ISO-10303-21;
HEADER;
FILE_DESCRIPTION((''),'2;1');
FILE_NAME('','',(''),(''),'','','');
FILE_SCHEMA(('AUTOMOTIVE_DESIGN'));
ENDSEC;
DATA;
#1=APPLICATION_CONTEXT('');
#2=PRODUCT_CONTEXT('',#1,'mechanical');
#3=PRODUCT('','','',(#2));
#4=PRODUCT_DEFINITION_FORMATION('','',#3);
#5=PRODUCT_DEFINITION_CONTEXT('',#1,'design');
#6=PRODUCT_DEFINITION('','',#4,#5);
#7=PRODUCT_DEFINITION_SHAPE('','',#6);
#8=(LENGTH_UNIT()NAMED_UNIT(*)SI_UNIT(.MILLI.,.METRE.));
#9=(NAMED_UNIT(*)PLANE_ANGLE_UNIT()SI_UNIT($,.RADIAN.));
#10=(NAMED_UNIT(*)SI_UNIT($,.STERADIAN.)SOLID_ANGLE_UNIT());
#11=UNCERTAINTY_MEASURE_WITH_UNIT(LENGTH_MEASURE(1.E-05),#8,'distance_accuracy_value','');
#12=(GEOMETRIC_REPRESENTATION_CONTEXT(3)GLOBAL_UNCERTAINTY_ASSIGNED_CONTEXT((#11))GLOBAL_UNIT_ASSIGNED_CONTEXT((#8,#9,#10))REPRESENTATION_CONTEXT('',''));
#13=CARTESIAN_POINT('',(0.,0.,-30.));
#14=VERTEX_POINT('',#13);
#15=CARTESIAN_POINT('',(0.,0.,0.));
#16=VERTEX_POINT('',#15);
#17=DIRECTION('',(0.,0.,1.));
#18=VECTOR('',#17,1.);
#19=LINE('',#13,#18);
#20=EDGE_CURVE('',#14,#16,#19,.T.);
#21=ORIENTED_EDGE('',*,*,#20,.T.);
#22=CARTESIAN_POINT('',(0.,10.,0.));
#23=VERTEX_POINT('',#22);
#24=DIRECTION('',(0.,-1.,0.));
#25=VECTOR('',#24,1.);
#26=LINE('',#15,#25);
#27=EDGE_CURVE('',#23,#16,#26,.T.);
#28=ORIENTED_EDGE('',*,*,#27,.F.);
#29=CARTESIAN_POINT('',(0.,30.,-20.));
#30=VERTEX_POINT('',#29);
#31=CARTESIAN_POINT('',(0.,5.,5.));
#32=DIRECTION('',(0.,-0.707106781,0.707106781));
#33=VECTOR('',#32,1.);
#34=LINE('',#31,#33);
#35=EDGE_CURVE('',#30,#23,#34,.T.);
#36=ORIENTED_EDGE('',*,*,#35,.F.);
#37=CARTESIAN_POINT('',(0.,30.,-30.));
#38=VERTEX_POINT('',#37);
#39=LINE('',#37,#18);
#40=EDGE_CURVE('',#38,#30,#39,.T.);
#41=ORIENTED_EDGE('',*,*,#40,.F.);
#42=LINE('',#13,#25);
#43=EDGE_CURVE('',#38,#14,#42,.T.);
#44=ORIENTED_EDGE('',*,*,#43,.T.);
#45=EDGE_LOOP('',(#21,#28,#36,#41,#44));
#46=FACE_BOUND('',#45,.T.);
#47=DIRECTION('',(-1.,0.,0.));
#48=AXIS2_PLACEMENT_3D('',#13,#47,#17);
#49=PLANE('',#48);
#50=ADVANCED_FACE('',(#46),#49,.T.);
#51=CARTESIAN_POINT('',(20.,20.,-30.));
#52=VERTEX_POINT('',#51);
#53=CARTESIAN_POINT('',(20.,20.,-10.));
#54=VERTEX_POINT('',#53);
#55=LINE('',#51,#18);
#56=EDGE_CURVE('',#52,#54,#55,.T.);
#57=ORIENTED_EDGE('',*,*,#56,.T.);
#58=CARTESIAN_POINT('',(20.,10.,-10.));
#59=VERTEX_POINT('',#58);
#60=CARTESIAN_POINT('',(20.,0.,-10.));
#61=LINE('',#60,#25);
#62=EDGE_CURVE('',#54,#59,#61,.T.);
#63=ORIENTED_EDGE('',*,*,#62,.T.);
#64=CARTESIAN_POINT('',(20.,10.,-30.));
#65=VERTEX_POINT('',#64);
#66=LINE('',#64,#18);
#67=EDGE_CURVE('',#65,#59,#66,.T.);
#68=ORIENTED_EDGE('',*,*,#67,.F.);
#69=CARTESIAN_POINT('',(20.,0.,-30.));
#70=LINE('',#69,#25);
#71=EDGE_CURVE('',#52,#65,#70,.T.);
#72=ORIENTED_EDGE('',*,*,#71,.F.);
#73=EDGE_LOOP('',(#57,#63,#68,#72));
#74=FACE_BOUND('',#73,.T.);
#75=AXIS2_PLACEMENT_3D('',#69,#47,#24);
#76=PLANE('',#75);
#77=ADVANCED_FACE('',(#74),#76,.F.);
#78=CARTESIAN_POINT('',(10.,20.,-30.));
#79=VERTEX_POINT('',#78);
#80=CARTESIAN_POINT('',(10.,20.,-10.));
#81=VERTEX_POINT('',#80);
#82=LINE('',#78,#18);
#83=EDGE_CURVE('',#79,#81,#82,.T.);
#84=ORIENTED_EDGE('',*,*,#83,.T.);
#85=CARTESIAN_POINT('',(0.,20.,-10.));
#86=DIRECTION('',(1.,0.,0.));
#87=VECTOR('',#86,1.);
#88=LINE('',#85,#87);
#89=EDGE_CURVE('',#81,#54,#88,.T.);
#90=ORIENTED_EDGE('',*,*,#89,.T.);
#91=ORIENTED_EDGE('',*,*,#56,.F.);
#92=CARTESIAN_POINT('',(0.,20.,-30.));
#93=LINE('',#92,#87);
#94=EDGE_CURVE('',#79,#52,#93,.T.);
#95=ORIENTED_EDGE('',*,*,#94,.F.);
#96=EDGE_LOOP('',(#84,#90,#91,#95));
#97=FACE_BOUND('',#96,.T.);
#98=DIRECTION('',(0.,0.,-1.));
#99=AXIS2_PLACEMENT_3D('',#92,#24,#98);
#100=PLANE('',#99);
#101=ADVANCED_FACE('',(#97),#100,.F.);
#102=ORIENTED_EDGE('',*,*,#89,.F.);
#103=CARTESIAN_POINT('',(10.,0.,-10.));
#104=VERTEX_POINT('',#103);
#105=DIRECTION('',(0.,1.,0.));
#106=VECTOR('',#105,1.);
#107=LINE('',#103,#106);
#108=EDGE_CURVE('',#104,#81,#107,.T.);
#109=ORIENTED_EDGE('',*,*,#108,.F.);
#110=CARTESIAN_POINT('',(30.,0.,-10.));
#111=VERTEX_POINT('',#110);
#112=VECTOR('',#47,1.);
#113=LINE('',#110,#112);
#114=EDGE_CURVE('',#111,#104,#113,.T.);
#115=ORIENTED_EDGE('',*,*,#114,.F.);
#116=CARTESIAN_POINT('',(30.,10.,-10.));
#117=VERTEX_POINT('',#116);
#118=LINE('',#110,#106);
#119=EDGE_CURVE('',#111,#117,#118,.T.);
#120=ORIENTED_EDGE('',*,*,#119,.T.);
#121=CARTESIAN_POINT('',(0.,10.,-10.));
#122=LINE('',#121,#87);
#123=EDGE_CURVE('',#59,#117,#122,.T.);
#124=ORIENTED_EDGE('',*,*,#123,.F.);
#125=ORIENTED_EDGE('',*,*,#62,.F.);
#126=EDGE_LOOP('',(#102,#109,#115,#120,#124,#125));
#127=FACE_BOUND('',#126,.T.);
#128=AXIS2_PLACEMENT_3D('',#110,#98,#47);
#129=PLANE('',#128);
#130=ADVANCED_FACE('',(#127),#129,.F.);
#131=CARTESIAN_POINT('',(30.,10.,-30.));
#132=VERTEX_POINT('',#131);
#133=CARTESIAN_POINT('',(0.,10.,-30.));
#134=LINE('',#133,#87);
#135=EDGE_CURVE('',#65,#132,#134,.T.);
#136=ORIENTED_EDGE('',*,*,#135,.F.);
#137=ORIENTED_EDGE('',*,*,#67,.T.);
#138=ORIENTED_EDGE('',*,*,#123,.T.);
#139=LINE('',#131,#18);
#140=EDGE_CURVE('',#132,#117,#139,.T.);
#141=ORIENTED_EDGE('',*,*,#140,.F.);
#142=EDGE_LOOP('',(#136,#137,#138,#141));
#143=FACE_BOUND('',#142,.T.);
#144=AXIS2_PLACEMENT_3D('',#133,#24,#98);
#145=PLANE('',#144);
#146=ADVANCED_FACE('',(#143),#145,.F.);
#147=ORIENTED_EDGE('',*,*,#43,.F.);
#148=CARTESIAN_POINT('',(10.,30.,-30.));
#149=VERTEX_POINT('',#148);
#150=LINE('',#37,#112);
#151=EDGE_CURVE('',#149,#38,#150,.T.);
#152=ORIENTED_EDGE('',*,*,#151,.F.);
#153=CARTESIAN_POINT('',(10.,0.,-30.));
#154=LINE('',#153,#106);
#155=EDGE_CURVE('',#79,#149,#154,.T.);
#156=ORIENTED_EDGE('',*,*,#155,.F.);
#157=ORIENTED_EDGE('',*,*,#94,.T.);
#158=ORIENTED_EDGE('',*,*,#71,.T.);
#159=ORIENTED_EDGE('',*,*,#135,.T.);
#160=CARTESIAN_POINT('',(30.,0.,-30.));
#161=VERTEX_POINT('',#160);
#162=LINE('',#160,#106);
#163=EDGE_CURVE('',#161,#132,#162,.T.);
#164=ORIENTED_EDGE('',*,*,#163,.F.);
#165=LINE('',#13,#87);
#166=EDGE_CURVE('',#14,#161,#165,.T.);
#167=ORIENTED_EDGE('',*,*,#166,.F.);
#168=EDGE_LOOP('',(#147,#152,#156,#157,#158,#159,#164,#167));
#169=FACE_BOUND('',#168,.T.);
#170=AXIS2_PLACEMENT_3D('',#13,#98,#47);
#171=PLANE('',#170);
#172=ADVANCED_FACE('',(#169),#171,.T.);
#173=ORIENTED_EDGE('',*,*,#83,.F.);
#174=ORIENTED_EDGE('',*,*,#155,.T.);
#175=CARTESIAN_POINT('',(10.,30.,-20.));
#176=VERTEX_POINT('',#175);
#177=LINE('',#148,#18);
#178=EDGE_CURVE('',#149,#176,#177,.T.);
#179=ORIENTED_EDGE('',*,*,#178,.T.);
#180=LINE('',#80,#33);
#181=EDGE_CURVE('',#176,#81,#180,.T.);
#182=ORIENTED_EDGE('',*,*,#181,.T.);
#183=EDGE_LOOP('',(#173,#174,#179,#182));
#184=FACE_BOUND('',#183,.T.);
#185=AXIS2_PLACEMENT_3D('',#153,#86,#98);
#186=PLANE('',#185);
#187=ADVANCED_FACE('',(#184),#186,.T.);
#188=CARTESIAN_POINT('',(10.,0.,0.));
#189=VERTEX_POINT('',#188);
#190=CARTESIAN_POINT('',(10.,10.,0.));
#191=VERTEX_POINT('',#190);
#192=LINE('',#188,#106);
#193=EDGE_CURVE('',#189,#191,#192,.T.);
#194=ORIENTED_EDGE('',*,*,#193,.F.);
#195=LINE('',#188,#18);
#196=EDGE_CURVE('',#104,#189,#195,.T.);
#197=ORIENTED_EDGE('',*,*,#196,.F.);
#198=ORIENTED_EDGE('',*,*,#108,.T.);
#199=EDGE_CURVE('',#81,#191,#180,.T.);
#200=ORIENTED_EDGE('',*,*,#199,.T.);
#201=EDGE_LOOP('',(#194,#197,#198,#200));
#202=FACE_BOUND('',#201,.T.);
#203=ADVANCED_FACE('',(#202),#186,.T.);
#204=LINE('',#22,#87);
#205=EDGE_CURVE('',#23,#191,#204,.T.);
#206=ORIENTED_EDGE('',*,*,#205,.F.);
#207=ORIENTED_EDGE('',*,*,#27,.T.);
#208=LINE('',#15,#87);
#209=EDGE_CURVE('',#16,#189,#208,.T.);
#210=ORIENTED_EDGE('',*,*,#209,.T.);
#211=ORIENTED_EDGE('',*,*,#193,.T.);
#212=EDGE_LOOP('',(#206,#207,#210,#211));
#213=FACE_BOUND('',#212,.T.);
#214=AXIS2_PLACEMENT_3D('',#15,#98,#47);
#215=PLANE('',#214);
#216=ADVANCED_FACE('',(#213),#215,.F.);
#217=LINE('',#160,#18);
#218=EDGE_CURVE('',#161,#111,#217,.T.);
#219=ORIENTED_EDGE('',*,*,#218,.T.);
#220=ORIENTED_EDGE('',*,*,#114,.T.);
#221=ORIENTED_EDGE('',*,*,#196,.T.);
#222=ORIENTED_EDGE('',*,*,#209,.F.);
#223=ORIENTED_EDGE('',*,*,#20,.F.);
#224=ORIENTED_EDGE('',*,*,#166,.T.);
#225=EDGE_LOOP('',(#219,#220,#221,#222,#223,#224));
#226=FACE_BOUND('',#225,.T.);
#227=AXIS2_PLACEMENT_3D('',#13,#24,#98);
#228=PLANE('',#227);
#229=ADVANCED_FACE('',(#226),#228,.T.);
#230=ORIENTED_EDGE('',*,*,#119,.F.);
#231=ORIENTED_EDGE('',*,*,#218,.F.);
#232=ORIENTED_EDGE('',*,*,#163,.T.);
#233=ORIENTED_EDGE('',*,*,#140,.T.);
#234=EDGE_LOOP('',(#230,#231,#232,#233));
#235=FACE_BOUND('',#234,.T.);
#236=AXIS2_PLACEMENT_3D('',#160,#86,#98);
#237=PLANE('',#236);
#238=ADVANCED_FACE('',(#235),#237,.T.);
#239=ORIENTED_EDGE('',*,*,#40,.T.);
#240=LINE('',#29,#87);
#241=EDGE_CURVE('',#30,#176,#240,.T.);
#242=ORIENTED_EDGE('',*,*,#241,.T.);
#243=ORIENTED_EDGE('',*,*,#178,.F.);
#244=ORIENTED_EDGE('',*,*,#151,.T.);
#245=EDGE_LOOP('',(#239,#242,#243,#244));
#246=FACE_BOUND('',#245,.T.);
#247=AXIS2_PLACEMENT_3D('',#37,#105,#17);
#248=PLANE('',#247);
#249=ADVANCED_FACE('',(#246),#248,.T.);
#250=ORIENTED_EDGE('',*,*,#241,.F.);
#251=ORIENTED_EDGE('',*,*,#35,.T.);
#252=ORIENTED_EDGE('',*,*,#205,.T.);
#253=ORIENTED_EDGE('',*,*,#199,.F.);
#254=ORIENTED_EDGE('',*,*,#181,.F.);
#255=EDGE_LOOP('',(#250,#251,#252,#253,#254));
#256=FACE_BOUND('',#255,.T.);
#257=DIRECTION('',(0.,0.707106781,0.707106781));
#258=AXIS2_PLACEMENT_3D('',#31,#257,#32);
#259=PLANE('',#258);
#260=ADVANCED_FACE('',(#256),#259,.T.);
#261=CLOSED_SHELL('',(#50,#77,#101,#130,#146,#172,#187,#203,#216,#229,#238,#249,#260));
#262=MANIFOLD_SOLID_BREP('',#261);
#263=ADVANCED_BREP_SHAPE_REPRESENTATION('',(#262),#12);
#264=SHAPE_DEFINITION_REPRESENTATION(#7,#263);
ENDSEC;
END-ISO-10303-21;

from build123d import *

# Parameters (mm, degrees)
SKETCH_1_W               = 30
SKETCH_1_H               = 30
EXTRUDE_1_DEPTH          = 30
CUT_EXTRUDE_8_DEPTH      = 52.961524227
CUT_EXTRUDE_9_DEPTH      = 47.904157598
CUT_EXTRUDE_9_DEPTH_BACK = 47.904157598
SKETCH_16_W              = 20
SKETCH_16_H              = 10
CUT_EXTRUDE_10_DEPTH     = 52.961524227


with BuildPart() as part:
    # 草圖1 → 填料-伸1 (new body)
    with BuildSketch(Plane.XY):
        with Locations((15, 15)):
            Rectangle(SKETCH_1_W, SKETCH_1_H)
    extrude(amount=-EXTRUDE_1_DEPTH)

    # 草圖11 → 除料-伸長8 (cut, through all)
    with BuildSketch(Plane.XY):
        Polygon((10, 30), (10, 20), (20, 20), (20, 10), (30, 10), (30, 30), align=None)
    extrude(amount=-CUT_EXTRUDE_8_DEPTH, mode=Mode.SUBTRACT)

    # 草圖16 → 除料-伸長9 (cut, two sides: drawn at the far end of the back side and taken through both)
    with BuildSketch(Plane(origin=(0, 10, 0), x_dir=(1, 0, 0), z_dir=(0, 1, 0)).offset(-CUT_EXTRUDE_9_DEPTH_BACK)):
        with Locations((20, 5)):
            Rectangle(SKETCH_16_W, SKETCH_16_H)
    extrude(amount=CUT_EXTRUDE_9_DEPTH + CUT_EXTRUDE_9_DEPTH_BACK, mode=Mode.SUBTRACT)

    # 草圖20 → 除料-伸長10 (cut, through all)
    with BuildSketch(Plane(origin=(30, 0, 0), x_dir=(0, 0, -1), z_dir=(1, 0, 0))):
        Polygon((0, 30), (0, 10), (20, 30), align=None)
    extrude(amount=-CUT_EXTRUDE_10_DEPTH, mode=Mode.SUBTRACT)


solid = part.part
